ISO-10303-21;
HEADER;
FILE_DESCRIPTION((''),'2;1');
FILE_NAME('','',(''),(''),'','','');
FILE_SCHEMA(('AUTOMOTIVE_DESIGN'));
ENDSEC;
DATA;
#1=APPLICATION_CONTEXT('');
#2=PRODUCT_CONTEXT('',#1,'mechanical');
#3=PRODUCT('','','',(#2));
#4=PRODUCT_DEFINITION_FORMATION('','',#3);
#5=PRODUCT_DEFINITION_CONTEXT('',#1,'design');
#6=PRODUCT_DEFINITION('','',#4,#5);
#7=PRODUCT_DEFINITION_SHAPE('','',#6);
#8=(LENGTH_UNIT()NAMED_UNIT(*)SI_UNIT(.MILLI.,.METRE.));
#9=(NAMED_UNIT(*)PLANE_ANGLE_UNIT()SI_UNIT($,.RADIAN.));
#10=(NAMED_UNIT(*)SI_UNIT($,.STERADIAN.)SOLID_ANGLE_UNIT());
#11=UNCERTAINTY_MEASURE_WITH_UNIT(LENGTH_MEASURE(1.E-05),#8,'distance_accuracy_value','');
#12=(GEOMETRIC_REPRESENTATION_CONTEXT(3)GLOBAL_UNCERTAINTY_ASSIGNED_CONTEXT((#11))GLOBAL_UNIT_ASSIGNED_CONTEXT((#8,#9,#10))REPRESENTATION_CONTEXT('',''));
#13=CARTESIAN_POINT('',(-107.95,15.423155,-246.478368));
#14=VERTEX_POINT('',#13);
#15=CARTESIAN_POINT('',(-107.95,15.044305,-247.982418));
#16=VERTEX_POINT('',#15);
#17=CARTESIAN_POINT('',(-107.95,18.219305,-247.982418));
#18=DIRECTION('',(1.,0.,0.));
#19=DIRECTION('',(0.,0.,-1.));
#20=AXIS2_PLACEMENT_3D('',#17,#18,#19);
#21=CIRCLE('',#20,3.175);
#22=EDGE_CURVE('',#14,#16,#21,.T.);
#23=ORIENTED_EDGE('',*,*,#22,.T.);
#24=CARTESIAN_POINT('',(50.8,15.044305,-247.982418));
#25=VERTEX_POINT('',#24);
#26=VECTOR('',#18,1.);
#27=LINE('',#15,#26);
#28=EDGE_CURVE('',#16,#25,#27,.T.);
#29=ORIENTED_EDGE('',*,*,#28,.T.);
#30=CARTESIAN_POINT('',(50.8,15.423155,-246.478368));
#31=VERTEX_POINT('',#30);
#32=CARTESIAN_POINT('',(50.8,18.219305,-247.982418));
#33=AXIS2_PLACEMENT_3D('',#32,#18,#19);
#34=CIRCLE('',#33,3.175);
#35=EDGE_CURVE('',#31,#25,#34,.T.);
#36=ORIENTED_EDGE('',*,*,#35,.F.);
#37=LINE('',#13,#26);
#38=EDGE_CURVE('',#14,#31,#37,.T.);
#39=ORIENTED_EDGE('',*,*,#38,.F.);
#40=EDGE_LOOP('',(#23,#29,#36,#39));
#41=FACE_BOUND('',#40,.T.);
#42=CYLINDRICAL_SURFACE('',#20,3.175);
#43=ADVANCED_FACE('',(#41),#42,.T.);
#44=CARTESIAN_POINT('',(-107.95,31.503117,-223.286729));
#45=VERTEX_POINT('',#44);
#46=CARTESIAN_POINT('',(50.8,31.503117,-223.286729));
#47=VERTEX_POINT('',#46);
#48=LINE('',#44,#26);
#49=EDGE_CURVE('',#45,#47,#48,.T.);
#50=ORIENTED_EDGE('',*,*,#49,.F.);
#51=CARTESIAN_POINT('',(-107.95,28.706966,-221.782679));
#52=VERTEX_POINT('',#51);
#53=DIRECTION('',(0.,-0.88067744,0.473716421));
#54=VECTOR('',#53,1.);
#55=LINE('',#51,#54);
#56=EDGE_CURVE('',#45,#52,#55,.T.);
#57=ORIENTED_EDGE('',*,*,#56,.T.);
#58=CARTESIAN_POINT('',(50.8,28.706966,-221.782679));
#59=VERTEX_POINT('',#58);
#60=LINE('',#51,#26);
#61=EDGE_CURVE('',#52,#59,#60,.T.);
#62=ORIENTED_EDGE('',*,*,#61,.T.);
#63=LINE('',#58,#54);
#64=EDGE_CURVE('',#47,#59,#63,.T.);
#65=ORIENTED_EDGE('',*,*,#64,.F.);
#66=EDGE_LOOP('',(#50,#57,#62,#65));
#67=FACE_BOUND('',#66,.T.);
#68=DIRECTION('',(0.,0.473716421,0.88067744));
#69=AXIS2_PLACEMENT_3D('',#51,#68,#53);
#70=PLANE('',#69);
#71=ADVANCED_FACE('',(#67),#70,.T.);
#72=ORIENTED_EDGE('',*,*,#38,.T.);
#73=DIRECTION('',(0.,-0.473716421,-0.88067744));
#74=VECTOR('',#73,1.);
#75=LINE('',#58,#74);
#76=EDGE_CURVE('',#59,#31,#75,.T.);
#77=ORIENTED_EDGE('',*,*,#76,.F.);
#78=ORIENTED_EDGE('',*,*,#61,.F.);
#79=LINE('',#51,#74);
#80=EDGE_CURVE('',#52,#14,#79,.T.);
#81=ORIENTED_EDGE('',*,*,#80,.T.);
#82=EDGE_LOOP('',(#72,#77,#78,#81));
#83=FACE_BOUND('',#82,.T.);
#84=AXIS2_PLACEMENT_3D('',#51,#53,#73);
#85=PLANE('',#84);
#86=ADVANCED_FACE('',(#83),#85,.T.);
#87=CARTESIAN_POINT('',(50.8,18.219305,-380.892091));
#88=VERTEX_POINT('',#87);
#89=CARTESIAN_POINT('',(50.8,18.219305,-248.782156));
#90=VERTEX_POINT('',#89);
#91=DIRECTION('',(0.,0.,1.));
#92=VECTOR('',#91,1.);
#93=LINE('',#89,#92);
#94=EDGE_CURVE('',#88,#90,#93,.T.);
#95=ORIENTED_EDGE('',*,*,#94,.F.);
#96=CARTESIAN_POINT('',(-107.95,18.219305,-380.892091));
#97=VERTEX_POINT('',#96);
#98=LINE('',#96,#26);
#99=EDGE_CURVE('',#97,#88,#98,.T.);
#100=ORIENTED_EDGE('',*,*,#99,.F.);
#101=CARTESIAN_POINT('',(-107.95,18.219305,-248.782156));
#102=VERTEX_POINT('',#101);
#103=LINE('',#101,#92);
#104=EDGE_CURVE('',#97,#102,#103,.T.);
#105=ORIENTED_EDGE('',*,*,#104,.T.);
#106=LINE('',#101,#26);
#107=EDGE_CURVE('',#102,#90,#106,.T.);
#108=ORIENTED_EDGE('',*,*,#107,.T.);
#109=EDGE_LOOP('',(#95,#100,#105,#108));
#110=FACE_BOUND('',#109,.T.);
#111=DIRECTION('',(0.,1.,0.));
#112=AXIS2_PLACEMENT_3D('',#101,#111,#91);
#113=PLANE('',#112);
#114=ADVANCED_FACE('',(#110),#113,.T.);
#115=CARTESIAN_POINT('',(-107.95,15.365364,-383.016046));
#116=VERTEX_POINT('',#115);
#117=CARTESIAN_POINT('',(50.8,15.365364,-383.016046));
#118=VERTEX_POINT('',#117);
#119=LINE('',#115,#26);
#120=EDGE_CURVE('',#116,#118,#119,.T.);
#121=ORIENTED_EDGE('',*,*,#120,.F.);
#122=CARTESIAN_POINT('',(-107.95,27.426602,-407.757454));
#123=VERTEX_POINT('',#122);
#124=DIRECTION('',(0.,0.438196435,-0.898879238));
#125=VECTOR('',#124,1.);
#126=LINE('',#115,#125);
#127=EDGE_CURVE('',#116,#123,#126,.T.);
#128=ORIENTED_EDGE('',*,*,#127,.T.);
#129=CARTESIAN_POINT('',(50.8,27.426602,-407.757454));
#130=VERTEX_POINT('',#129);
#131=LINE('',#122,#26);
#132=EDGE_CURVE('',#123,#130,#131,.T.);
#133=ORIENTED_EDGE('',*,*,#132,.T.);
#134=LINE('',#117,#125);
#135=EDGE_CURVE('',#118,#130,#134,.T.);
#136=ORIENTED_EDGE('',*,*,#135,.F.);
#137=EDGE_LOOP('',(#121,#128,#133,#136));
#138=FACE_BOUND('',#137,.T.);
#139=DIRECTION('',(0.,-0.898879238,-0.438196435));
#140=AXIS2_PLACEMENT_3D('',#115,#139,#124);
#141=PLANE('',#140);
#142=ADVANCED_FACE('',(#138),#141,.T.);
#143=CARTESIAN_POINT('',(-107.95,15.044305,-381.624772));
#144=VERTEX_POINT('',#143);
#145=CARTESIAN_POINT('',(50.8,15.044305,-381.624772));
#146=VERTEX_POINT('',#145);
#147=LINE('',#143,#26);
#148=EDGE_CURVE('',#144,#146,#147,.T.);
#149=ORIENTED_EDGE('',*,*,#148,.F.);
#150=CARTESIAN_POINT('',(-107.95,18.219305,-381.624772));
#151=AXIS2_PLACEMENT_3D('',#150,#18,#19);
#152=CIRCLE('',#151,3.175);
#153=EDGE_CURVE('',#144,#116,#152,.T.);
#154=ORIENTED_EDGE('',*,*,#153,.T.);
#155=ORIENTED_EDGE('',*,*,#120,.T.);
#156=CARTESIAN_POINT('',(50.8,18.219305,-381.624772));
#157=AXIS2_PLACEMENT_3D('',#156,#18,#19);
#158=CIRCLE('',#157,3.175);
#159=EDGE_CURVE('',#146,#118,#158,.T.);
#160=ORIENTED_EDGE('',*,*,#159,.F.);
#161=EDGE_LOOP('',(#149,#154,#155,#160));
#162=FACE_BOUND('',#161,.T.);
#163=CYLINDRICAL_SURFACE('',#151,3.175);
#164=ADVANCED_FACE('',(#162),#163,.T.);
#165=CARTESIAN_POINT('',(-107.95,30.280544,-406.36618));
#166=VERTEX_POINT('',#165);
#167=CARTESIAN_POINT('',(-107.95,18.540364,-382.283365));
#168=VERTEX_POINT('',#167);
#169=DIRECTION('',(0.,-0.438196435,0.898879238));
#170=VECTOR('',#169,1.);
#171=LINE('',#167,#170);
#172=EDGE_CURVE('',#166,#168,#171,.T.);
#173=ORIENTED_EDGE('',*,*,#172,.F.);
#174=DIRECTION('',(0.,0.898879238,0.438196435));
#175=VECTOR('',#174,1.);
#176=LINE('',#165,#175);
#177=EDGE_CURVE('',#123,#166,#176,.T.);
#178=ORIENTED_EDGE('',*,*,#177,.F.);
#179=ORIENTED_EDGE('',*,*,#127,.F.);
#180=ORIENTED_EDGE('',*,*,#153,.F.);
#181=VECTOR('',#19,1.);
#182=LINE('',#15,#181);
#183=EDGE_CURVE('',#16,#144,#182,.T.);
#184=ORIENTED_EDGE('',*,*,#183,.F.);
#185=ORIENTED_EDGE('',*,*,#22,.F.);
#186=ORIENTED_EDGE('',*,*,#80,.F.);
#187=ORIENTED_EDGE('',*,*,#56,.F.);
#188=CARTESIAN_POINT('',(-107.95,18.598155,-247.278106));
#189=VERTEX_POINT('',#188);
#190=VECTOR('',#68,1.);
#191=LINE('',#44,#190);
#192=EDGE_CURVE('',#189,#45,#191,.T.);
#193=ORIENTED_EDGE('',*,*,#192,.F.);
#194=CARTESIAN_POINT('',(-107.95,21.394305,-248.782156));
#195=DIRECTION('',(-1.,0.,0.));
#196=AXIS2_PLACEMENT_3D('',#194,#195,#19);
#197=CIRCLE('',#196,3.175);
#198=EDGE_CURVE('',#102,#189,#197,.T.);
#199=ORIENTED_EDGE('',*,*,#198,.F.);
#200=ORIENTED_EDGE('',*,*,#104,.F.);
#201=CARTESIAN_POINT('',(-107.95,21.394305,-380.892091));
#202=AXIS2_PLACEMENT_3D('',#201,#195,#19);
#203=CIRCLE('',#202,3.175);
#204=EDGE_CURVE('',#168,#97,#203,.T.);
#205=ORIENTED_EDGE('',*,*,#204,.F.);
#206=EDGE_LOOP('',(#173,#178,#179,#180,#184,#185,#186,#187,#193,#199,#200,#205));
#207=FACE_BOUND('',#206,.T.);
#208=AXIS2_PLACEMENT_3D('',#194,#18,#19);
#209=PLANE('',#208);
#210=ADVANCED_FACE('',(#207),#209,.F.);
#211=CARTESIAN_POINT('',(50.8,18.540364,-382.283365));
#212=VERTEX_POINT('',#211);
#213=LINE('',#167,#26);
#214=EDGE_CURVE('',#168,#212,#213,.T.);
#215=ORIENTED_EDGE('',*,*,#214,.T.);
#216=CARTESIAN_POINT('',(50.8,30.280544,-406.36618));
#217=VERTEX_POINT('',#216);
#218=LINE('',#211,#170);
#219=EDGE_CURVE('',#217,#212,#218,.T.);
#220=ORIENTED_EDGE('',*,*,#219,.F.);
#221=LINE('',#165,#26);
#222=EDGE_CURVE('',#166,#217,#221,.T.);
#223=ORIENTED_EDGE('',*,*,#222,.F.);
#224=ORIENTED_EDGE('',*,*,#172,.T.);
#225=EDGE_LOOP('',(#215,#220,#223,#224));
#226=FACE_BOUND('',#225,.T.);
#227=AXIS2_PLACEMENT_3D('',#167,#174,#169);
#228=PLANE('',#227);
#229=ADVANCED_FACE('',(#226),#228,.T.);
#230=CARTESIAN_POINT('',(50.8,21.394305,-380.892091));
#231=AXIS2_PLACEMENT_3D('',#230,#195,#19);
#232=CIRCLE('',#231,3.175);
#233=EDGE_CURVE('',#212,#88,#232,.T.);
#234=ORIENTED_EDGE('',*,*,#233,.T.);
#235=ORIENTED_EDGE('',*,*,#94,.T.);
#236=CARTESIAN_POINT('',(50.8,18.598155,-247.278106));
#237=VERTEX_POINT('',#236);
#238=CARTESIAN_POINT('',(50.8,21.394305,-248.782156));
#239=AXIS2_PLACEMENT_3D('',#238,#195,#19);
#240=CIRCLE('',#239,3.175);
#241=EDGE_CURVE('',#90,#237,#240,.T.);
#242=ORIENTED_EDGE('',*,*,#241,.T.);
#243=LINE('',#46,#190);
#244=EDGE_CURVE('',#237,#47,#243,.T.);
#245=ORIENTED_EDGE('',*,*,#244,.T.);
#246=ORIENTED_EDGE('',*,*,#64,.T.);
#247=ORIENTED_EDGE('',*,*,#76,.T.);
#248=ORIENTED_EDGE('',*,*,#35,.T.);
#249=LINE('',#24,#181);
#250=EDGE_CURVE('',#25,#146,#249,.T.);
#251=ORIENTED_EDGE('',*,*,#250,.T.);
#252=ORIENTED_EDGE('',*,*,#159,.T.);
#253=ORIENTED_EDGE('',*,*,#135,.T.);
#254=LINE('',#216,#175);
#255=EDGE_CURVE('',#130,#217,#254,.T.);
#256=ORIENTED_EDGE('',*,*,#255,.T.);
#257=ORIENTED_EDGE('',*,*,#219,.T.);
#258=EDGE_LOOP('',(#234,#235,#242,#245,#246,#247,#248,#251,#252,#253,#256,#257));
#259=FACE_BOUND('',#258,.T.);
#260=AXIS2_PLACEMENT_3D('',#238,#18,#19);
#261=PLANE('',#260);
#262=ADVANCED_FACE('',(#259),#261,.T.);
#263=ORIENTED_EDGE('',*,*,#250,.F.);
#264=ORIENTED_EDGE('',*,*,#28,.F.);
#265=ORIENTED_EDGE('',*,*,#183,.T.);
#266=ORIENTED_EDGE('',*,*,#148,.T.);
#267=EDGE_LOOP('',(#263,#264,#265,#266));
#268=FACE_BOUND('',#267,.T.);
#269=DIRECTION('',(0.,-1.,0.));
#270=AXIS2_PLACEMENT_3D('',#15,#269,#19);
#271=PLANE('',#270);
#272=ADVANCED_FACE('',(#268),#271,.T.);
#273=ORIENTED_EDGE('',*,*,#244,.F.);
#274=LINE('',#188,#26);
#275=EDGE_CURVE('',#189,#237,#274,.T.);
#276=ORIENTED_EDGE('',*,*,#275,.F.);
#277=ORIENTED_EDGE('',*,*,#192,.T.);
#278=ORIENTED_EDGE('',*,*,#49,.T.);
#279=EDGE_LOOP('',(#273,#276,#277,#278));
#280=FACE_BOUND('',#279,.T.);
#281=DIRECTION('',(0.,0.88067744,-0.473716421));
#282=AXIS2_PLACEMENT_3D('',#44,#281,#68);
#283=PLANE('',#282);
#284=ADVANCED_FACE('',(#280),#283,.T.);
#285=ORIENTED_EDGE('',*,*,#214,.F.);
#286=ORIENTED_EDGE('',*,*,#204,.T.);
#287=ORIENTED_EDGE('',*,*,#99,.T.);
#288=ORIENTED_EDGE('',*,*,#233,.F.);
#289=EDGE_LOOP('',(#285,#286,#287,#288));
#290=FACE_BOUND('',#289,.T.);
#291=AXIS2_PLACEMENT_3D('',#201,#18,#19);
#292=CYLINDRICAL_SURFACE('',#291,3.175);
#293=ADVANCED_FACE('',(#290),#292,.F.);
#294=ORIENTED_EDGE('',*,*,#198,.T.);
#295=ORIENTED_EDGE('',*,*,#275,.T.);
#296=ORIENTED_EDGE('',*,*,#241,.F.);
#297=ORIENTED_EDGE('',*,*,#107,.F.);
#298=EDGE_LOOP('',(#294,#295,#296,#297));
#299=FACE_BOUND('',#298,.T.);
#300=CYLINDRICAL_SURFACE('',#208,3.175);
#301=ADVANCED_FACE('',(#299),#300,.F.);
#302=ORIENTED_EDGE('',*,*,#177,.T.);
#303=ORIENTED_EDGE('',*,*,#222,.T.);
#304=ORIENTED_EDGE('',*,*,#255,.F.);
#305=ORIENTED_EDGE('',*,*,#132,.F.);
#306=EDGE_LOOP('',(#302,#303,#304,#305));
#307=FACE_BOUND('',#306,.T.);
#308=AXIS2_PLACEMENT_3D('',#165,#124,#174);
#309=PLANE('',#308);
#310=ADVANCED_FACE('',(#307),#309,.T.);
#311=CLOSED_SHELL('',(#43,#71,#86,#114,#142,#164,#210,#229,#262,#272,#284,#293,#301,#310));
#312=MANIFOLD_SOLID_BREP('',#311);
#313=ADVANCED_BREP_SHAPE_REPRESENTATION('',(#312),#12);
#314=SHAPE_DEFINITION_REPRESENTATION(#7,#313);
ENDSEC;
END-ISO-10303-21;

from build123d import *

# Parameters (mm, degrees)
BOSS_EXTRUDE1_START = 50.8
BOSS_EXTRUDE1_DEPTH = 158.75


with BuildPart() as part:
    # Sketch2 → Boss-Extrude1 (new body)
    with BuildSketch(Plane(origin=(0, 0, 0), x_dir=(0, 0, -1), z_dir=(1, 0, 0)).offset(BOSS_EXTRUDE1_START)):
        with BuildLine():
            Line((223.286729101, 31.503116997), (247.278106278, 18.598154513))
            ThreePointArc((247.278106278, 18.598154513), (248.00664125, 18.315474111), (248.782155913, 18.219305384))
            Line((248.782155913, 18.219305384), (380.892090883, 18.219305384))
            ThreePointArc((380.892090883, 18.219305384), (381.606009815, 18.300611029), (382.283364565, 18.540363804))
            Line((382.283364565, 18.540363804), (406.366180194, 30.280543711))
            Line((406.366180194, 30.280543711), (407.757453877, 27.426602131))
            Line((407.757453877, 27.426602131), (383.016046062, 15.365363804))
            ThreePointArc((383.016046062, 15.365363804), (382.338691312, 15.125611029), (381.62477238, 15.044305384))
            Line((381.62477238, 15.044305384), (247.982417689, 15.044305384))
            ThreePointArc((247.982417689, 15.044305384), (247.206903026, 15.140474111), (246.478368054, 15.423154513))
            Line((246.478368054, 15.423154513), (221.782679465, 28.706966126))
            Line((221.782679465, 28.706966126), (223.286729101, 31.503116997))
        make_face()
    extrude(amount=-BOSS_EXTRUDE1_DEPTH)


solid = part.part
